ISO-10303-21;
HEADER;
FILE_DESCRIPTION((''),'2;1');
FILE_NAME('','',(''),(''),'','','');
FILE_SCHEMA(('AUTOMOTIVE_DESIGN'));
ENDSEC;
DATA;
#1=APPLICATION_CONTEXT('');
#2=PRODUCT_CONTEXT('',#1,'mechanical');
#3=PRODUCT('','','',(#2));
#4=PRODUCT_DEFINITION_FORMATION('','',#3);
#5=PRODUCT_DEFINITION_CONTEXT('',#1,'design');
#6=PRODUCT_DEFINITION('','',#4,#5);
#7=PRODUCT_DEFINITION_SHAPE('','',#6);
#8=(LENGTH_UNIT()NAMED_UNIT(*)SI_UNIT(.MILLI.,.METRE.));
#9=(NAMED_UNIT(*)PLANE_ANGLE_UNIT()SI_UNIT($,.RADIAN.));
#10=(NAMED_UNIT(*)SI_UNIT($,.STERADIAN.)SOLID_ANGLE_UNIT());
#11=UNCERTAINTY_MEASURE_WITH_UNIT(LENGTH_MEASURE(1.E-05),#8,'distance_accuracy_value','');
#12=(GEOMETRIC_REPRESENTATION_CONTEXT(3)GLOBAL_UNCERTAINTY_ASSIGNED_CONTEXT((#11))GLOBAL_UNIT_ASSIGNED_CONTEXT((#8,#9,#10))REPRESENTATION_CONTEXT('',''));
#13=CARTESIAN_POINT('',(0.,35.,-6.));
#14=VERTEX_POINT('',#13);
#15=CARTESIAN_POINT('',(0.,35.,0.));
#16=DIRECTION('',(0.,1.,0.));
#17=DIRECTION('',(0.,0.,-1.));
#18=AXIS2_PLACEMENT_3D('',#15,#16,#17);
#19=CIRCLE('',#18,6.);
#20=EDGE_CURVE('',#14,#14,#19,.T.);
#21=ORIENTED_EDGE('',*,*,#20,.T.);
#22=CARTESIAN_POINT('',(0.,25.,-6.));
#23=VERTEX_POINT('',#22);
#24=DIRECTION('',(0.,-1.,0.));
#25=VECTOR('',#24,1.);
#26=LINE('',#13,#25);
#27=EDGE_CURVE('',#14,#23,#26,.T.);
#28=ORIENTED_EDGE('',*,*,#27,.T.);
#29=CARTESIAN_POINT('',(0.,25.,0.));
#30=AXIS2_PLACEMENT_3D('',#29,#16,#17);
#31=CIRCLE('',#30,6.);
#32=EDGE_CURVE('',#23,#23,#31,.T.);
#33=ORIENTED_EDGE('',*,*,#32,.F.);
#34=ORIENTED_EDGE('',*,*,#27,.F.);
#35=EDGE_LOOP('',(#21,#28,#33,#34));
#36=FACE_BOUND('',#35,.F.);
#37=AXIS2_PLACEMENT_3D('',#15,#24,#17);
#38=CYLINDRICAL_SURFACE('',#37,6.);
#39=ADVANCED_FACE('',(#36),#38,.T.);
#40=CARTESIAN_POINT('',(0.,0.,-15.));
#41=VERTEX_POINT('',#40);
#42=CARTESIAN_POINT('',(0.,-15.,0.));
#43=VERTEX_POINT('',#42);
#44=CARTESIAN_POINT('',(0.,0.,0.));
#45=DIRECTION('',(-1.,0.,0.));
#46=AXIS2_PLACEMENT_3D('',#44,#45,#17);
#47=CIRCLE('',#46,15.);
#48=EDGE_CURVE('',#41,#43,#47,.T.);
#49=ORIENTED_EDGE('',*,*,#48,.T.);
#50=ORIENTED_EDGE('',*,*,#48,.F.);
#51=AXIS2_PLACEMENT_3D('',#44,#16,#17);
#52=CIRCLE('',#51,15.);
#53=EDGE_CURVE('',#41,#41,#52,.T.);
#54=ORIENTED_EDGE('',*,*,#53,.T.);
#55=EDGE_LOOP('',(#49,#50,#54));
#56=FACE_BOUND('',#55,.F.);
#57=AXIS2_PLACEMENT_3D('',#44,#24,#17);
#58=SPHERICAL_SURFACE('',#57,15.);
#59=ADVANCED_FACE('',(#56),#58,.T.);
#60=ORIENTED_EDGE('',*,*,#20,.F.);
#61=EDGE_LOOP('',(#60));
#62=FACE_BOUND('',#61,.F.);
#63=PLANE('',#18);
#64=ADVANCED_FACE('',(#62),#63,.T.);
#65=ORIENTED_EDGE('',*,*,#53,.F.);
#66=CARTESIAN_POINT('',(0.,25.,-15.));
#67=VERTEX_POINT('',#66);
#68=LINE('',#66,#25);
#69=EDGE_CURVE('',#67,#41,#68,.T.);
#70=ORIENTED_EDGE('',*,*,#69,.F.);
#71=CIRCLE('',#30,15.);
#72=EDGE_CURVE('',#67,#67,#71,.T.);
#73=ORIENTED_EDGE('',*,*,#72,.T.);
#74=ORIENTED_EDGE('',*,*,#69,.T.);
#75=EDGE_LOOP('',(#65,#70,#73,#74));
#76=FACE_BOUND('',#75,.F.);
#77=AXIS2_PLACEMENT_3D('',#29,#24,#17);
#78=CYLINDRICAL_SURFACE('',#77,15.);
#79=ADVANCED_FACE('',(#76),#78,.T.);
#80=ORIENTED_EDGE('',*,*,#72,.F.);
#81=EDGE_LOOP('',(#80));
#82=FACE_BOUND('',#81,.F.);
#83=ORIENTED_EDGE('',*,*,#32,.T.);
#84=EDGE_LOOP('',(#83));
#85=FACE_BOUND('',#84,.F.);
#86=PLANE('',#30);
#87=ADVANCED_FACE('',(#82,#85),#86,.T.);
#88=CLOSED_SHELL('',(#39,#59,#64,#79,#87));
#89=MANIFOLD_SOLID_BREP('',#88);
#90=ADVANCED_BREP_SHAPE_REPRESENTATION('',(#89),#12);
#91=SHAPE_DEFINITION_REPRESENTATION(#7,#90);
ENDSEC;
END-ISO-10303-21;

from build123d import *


with BuildPart() as part:
    # Sketch1 → Revolve1 (revolve)
    with BuildSketch(Plane.XY, mode=Mode.PRIVATE) as revolve1_sk:
        with BuildLine():
            Line((0, 35), (6, 35))
            Line((6, 35), (6, 25))
            Line((6, 25), (15, 25))
            Line((15, 25), (15, 0))
            ThreePointArc((15, 0), (10.606601718, -10.606601718), (0, -15))
            Line((0, -15), (0, 35))
        make_face()
    revolve(revolve1_sk.sketch.rotate(Axis((0, 0, 0), (0, 1, 0)), 90), axis=Axis((0, 0, 0), (0, 1, 0)))  # turned: the seam where the file's is


solid = part.part
